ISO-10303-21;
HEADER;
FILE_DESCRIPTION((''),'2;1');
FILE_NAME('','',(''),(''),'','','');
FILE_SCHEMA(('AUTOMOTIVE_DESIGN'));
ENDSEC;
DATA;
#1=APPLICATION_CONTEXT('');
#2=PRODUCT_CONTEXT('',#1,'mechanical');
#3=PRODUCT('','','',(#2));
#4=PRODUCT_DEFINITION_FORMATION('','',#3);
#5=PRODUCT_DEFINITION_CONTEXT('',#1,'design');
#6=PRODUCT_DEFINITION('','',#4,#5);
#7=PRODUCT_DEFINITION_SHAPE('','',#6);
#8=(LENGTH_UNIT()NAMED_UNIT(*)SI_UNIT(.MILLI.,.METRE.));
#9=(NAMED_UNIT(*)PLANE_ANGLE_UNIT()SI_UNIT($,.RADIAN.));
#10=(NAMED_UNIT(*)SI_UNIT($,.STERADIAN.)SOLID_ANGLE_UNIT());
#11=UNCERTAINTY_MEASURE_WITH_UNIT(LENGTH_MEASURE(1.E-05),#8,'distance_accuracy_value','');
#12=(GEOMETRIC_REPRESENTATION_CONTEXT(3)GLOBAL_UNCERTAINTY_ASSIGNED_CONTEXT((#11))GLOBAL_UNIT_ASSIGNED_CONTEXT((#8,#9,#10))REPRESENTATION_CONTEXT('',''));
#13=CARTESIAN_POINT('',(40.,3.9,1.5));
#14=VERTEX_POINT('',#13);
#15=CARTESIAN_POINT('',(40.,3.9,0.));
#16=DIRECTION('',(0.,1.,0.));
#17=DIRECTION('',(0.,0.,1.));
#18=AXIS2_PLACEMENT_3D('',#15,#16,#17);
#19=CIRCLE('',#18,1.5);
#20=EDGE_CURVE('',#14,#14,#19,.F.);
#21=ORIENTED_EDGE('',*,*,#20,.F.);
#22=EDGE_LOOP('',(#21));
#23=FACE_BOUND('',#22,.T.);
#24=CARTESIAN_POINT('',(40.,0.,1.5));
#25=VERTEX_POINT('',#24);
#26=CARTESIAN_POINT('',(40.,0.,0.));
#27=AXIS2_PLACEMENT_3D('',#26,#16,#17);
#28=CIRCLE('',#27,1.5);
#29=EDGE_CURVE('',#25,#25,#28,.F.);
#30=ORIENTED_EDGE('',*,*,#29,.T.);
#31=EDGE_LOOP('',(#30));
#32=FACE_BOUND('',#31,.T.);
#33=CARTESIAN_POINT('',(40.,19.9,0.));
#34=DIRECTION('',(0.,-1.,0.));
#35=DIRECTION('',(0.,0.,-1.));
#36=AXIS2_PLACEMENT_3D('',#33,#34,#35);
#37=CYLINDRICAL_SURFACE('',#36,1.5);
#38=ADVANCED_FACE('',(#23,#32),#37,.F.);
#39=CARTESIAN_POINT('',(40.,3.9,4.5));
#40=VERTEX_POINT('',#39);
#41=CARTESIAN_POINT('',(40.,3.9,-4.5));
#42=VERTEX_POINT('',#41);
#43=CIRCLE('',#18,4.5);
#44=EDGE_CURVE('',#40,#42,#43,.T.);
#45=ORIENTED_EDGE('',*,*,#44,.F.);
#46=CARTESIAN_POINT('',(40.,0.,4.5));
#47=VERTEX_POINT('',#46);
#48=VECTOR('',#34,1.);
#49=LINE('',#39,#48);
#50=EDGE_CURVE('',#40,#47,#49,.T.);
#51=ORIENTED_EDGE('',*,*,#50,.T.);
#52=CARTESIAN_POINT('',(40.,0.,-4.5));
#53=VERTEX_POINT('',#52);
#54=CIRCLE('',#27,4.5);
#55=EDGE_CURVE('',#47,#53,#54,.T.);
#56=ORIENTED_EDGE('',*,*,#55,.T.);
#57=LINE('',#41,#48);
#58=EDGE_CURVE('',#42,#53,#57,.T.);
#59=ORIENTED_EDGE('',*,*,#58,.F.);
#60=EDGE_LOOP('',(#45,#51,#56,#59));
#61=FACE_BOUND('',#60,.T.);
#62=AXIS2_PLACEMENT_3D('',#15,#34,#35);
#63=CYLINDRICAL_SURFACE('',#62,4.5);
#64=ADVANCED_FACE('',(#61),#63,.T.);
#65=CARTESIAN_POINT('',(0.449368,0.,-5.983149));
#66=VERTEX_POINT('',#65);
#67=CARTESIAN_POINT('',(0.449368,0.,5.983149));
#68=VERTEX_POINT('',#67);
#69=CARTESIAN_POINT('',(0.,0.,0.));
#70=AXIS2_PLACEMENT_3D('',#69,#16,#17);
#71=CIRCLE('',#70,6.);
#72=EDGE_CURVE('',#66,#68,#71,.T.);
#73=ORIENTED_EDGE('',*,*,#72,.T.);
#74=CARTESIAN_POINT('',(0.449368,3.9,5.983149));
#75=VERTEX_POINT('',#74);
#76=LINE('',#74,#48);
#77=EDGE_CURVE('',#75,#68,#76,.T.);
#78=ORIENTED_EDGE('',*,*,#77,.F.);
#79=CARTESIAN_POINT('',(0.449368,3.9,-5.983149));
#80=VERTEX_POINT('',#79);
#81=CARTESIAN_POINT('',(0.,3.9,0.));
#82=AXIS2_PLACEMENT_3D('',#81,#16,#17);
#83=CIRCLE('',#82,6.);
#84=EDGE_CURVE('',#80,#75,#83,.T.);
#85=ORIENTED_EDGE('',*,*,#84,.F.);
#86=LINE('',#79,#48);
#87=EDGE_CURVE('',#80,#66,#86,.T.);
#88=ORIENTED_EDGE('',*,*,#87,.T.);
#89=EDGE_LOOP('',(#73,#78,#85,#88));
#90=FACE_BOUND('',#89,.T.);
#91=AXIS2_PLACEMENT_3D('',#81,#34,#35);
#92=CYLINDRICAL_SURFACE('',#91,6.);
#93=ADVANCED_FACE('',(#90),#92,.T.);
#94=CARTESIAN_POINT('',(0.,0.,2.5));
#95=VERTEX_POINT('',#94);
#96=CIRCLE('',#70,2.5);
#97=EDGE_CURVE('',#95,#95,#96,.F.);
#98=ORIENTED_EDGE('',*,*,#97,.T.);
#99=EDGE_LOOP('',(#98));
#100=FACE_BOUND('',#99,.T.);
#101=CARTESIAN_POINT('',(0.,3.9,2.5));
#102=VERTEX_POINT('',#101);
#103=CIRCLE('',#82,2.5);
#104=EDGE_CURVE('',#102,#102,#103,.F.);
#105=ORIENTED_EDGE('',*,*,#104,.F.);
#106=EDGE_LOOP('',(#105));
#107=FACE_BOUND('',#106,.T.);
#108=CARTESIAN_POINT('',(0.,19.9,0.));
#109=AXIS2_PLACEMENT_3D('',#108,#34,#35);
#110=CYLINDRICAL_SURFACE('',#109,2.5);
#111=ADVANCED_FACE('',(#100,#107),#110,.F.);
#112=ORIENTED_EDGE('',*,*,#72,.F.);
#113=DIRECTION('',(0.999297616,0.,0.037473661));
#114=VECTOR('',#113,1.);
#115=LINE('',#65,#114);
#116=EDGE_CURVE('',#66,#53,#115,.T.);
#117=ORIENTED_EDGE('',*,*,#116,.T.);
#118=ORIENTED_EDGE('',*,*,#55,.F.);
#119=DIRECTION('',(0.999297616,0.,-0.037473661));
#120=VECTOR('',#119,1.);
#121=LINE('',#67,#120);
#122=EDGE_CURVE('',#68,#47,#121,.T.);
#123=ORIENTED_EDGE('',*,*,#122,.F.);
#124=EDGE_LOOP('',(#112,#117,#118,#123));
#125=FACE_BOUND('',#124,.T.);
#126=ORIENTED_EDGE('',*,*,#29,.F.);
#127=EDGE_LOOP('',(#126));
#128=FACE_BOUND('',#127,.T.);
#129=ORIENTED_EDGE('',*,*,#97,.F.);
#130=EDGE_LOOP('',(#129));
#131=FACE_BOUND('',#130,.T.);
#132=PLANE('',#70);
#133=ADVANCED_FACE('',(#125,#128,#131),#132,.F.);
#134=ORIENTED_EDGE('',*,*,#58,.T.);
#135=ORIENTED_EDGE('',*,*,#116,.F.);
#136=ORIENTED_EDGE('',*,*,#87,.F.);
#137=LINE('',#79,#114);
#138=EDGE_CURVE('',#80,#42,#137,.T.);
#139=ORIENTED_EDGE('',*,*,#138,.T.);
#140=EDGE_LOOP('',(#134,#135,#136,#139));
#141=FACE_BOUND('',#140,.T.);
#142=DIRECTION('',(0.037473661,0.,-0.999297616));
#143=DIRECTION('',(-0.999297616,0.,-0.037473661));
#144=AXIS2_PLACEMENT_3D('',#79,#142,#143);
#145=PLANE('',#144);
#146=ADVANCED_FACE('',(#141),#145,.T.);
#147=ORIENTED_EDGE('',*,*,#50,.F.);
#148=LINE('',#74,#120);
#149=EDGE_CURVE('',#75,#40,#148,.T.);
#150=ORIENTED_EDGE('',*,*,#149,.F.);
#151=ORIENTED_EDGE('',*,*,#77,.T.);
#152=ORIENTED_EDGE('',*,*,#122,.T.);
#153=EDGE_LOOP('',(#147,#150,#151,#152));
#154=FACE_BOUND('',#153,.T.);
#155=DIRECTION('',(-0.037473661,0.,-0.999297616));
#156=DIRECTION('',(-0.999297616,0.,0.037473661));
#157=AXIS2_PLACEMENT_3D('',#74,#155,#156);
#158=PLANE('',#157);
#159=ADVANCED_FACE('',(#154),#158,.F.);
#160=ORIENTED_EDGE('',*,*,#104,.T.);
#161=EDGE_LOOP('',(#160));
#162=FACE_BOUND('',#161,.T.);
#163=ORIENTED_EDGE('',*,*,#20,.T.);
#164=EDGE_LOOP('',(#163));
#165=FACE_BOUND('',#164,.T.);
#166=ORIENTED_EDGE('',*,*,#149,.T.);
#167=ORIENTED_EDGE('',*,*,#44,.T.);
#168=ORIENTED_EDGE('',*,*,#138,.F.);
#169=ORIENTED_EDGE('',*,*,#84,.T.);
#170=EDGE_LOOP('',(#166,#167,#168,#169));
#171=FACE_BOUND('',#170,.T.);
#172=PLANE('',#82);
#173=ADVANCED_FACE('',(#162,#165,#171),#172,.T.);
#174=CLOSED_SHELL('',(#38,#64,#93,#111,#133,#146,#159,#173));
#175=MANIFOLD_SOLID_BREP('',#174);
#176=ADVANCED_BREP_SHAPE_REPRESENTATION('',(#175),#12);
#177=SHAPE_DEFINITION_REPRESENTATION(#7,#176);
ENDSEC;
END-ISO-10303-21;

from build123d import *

# Parameters (mm, degrees)
BOSS_EXTRUDE1_DEPTH     = 3.9
CUT_EXTRUDE1_DEPTH      = 16
CUT_EXTRUDE1_DEPTH_BACK = 10.5
SKETCH2_R               = 2.5
SKETCH2_R_2             = 1.5


with BuildPart() as part:
    # Sketch1 → Boss-Extrude1 (new body)
    with BuildSketch(Plane(origin=(0, 0, 0), x_dir=(1, 0, 0), z_dir=(0, 1, 0))):
        with BuildLine():
            Line((0.449368076, 5.983148697), (40, 4.5))
            ThreePointArc((40, 4.5), (44.5, 0), (40, -4.5))
            Line((40, -4.5), (0.449368076, -5.983148697))
            ThreePointArc((0.449368076, -5.983148697), (-6, 0), (0.449368076, 5.983148697))
        make_face()
    extrude(amount=BOSS_EXTRUDE1_DEPTH)

    # Sketch2 → Cut-Extrude1 (cut, two sides: drawn at the far end of the back side and taken through both)
    with BuildSketch(Plane(origin=(0, 3.9, 0), x_dir=(1, 0, 0), z_dir=(0, 1, 0)).offset(-CUT_EXTRUDE1_DEPTH_BACK)):
        with Locations(Location((0, 0, 0), (0, 0, 270))):
            Circle(SKETCH2_R)
        with Locations(Location((40, 0, 0), (0, 0, 270))):
            Circle(SKETCH2_R_2)
    extrude(amount=CUT_EXTRUDE1_DEPTH + CUT_EXTRUDE1_DEPTH_BACK, mode=Mode.SUBTRACT)


solid = part.part
